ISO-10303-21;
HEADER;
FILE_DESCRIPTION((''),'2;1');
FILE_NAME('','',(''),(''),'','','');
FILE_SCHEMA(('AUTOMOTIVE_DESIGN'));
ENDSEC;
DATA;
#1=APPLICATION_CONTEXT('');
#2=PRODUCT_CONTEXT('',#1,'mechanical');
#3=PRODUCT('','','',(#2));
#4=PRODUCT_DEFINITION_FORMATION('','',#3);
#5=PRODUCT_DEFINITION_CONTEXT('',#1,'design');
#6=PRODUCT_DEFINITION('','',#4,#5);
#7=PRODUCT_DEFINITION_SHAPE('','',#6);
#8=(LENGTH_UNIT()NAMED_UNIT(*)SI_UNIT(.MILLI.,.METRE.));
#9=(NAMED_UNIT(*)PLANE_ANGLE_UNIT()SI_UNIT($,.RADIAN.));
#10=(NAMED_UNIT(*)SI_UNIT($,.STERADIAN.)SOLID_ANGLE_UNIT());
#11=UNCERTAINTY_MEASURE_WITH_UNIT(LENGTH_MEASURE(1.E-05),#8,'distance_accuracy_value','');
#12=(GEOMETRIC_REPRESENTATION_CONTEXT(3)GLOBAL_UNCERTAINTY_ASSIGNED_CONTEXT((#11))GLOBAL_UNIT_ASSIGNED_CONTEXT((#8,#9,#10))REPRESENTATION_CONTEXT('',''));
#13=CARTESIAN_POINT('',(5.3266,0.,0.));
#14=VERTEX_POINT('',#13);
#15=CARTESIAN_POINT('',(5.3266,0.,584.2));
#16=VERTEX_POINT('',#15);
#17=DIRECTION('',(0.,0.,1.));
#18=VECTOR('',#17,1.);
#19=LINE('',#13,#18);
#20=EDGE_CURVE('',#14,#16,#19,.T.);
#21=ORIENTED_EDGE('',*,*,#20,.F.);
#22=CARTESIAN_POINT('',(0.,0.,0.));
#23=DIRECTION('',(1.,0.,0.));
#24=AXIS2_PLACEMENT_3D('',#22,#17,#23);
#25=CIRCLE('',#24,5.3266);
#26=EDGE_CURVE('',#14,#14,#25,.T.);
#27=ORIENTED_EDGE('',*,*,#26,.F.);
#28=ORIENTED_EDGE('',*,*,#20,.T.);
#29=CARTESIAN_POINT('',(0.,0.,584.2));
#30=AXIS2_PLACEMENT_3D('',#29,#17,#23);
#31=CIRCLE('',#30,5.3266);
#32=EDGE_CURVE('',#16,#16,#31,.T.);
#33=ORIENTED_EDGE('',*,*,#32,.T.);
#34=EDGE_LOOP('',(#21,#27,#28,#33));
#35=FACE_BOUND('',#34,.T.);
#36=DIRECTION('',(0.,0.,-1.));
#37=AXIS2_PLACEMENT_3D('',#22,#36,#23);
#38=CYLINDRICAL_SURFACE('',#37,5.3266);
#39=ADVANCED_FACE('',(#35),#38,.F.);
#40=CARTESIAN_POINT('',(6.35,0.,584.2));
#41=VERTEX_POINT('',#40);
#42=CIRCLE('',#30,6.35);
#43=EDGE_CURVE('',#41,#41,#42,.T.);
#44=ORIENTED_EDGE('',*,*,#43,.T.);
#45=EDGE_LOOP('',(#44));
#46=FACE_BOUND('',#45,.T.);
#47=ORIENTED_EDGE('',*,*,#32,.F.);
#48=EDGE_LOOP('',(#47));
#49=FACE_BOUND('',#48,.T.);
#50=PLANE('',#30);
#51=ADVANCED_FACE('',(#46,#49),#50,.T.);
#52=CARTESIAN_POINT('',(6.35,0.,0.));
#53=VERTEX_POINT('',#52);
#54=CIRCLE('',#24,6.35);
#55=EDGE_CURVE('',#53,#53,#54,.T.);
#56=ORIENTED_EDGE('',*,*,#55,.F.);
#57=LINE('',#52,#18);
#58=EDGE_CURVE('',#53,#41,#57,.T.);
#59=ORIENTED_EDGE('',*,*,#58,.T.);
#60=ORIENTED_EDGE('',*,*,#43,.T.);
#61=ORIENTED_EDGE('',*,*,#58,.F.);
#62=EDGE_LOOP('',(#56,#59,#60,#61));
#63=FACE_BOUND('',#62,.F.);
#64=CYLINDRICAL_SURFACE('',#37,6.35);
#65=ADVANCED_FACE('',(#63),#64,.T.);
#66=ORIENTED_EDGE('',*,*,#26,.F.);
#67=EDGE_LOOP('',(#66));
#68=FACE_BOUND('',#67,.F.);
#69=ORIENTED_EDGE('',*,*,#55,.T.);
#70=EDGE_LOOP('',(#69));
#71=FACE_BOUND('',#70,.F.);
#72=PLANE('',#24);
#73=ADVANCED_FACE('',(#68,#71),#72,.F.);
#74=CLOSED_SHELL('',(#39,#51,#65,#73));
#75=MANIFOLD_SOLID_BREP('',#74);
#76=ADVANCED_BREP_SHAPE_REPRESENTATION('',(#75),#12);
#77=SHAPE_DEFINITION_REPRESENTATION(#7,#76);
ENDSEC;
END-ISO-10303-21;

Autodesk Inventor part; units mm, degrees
ref_plane "YZ Plane" through (0, 0, 0) normal (1, 0, 0) x (0, 1, 0)
ref_plane "XZ Plane" through (0, 0, 0) normal (0, 1, 0) x (-1, 0, 0)
ref_plane "XY Plane" through (0, 0, 0) normal (0, 0, 1) x (1, 0, 0)
sketch "Sketch1" plane through (0, 0, 0) normal (0, 0, 1) x (1, 0, 0)
  circle A0 centre (0, 0) radius 6.35
  circle A1 centre (0, 0) radius 5.3266
  dimension "d0" = 12.7
extrude "Extrusion1" add sketch "Sketch1" along normal blind 584.2
properties part number "splash-sup" material "PVC-Piping"
